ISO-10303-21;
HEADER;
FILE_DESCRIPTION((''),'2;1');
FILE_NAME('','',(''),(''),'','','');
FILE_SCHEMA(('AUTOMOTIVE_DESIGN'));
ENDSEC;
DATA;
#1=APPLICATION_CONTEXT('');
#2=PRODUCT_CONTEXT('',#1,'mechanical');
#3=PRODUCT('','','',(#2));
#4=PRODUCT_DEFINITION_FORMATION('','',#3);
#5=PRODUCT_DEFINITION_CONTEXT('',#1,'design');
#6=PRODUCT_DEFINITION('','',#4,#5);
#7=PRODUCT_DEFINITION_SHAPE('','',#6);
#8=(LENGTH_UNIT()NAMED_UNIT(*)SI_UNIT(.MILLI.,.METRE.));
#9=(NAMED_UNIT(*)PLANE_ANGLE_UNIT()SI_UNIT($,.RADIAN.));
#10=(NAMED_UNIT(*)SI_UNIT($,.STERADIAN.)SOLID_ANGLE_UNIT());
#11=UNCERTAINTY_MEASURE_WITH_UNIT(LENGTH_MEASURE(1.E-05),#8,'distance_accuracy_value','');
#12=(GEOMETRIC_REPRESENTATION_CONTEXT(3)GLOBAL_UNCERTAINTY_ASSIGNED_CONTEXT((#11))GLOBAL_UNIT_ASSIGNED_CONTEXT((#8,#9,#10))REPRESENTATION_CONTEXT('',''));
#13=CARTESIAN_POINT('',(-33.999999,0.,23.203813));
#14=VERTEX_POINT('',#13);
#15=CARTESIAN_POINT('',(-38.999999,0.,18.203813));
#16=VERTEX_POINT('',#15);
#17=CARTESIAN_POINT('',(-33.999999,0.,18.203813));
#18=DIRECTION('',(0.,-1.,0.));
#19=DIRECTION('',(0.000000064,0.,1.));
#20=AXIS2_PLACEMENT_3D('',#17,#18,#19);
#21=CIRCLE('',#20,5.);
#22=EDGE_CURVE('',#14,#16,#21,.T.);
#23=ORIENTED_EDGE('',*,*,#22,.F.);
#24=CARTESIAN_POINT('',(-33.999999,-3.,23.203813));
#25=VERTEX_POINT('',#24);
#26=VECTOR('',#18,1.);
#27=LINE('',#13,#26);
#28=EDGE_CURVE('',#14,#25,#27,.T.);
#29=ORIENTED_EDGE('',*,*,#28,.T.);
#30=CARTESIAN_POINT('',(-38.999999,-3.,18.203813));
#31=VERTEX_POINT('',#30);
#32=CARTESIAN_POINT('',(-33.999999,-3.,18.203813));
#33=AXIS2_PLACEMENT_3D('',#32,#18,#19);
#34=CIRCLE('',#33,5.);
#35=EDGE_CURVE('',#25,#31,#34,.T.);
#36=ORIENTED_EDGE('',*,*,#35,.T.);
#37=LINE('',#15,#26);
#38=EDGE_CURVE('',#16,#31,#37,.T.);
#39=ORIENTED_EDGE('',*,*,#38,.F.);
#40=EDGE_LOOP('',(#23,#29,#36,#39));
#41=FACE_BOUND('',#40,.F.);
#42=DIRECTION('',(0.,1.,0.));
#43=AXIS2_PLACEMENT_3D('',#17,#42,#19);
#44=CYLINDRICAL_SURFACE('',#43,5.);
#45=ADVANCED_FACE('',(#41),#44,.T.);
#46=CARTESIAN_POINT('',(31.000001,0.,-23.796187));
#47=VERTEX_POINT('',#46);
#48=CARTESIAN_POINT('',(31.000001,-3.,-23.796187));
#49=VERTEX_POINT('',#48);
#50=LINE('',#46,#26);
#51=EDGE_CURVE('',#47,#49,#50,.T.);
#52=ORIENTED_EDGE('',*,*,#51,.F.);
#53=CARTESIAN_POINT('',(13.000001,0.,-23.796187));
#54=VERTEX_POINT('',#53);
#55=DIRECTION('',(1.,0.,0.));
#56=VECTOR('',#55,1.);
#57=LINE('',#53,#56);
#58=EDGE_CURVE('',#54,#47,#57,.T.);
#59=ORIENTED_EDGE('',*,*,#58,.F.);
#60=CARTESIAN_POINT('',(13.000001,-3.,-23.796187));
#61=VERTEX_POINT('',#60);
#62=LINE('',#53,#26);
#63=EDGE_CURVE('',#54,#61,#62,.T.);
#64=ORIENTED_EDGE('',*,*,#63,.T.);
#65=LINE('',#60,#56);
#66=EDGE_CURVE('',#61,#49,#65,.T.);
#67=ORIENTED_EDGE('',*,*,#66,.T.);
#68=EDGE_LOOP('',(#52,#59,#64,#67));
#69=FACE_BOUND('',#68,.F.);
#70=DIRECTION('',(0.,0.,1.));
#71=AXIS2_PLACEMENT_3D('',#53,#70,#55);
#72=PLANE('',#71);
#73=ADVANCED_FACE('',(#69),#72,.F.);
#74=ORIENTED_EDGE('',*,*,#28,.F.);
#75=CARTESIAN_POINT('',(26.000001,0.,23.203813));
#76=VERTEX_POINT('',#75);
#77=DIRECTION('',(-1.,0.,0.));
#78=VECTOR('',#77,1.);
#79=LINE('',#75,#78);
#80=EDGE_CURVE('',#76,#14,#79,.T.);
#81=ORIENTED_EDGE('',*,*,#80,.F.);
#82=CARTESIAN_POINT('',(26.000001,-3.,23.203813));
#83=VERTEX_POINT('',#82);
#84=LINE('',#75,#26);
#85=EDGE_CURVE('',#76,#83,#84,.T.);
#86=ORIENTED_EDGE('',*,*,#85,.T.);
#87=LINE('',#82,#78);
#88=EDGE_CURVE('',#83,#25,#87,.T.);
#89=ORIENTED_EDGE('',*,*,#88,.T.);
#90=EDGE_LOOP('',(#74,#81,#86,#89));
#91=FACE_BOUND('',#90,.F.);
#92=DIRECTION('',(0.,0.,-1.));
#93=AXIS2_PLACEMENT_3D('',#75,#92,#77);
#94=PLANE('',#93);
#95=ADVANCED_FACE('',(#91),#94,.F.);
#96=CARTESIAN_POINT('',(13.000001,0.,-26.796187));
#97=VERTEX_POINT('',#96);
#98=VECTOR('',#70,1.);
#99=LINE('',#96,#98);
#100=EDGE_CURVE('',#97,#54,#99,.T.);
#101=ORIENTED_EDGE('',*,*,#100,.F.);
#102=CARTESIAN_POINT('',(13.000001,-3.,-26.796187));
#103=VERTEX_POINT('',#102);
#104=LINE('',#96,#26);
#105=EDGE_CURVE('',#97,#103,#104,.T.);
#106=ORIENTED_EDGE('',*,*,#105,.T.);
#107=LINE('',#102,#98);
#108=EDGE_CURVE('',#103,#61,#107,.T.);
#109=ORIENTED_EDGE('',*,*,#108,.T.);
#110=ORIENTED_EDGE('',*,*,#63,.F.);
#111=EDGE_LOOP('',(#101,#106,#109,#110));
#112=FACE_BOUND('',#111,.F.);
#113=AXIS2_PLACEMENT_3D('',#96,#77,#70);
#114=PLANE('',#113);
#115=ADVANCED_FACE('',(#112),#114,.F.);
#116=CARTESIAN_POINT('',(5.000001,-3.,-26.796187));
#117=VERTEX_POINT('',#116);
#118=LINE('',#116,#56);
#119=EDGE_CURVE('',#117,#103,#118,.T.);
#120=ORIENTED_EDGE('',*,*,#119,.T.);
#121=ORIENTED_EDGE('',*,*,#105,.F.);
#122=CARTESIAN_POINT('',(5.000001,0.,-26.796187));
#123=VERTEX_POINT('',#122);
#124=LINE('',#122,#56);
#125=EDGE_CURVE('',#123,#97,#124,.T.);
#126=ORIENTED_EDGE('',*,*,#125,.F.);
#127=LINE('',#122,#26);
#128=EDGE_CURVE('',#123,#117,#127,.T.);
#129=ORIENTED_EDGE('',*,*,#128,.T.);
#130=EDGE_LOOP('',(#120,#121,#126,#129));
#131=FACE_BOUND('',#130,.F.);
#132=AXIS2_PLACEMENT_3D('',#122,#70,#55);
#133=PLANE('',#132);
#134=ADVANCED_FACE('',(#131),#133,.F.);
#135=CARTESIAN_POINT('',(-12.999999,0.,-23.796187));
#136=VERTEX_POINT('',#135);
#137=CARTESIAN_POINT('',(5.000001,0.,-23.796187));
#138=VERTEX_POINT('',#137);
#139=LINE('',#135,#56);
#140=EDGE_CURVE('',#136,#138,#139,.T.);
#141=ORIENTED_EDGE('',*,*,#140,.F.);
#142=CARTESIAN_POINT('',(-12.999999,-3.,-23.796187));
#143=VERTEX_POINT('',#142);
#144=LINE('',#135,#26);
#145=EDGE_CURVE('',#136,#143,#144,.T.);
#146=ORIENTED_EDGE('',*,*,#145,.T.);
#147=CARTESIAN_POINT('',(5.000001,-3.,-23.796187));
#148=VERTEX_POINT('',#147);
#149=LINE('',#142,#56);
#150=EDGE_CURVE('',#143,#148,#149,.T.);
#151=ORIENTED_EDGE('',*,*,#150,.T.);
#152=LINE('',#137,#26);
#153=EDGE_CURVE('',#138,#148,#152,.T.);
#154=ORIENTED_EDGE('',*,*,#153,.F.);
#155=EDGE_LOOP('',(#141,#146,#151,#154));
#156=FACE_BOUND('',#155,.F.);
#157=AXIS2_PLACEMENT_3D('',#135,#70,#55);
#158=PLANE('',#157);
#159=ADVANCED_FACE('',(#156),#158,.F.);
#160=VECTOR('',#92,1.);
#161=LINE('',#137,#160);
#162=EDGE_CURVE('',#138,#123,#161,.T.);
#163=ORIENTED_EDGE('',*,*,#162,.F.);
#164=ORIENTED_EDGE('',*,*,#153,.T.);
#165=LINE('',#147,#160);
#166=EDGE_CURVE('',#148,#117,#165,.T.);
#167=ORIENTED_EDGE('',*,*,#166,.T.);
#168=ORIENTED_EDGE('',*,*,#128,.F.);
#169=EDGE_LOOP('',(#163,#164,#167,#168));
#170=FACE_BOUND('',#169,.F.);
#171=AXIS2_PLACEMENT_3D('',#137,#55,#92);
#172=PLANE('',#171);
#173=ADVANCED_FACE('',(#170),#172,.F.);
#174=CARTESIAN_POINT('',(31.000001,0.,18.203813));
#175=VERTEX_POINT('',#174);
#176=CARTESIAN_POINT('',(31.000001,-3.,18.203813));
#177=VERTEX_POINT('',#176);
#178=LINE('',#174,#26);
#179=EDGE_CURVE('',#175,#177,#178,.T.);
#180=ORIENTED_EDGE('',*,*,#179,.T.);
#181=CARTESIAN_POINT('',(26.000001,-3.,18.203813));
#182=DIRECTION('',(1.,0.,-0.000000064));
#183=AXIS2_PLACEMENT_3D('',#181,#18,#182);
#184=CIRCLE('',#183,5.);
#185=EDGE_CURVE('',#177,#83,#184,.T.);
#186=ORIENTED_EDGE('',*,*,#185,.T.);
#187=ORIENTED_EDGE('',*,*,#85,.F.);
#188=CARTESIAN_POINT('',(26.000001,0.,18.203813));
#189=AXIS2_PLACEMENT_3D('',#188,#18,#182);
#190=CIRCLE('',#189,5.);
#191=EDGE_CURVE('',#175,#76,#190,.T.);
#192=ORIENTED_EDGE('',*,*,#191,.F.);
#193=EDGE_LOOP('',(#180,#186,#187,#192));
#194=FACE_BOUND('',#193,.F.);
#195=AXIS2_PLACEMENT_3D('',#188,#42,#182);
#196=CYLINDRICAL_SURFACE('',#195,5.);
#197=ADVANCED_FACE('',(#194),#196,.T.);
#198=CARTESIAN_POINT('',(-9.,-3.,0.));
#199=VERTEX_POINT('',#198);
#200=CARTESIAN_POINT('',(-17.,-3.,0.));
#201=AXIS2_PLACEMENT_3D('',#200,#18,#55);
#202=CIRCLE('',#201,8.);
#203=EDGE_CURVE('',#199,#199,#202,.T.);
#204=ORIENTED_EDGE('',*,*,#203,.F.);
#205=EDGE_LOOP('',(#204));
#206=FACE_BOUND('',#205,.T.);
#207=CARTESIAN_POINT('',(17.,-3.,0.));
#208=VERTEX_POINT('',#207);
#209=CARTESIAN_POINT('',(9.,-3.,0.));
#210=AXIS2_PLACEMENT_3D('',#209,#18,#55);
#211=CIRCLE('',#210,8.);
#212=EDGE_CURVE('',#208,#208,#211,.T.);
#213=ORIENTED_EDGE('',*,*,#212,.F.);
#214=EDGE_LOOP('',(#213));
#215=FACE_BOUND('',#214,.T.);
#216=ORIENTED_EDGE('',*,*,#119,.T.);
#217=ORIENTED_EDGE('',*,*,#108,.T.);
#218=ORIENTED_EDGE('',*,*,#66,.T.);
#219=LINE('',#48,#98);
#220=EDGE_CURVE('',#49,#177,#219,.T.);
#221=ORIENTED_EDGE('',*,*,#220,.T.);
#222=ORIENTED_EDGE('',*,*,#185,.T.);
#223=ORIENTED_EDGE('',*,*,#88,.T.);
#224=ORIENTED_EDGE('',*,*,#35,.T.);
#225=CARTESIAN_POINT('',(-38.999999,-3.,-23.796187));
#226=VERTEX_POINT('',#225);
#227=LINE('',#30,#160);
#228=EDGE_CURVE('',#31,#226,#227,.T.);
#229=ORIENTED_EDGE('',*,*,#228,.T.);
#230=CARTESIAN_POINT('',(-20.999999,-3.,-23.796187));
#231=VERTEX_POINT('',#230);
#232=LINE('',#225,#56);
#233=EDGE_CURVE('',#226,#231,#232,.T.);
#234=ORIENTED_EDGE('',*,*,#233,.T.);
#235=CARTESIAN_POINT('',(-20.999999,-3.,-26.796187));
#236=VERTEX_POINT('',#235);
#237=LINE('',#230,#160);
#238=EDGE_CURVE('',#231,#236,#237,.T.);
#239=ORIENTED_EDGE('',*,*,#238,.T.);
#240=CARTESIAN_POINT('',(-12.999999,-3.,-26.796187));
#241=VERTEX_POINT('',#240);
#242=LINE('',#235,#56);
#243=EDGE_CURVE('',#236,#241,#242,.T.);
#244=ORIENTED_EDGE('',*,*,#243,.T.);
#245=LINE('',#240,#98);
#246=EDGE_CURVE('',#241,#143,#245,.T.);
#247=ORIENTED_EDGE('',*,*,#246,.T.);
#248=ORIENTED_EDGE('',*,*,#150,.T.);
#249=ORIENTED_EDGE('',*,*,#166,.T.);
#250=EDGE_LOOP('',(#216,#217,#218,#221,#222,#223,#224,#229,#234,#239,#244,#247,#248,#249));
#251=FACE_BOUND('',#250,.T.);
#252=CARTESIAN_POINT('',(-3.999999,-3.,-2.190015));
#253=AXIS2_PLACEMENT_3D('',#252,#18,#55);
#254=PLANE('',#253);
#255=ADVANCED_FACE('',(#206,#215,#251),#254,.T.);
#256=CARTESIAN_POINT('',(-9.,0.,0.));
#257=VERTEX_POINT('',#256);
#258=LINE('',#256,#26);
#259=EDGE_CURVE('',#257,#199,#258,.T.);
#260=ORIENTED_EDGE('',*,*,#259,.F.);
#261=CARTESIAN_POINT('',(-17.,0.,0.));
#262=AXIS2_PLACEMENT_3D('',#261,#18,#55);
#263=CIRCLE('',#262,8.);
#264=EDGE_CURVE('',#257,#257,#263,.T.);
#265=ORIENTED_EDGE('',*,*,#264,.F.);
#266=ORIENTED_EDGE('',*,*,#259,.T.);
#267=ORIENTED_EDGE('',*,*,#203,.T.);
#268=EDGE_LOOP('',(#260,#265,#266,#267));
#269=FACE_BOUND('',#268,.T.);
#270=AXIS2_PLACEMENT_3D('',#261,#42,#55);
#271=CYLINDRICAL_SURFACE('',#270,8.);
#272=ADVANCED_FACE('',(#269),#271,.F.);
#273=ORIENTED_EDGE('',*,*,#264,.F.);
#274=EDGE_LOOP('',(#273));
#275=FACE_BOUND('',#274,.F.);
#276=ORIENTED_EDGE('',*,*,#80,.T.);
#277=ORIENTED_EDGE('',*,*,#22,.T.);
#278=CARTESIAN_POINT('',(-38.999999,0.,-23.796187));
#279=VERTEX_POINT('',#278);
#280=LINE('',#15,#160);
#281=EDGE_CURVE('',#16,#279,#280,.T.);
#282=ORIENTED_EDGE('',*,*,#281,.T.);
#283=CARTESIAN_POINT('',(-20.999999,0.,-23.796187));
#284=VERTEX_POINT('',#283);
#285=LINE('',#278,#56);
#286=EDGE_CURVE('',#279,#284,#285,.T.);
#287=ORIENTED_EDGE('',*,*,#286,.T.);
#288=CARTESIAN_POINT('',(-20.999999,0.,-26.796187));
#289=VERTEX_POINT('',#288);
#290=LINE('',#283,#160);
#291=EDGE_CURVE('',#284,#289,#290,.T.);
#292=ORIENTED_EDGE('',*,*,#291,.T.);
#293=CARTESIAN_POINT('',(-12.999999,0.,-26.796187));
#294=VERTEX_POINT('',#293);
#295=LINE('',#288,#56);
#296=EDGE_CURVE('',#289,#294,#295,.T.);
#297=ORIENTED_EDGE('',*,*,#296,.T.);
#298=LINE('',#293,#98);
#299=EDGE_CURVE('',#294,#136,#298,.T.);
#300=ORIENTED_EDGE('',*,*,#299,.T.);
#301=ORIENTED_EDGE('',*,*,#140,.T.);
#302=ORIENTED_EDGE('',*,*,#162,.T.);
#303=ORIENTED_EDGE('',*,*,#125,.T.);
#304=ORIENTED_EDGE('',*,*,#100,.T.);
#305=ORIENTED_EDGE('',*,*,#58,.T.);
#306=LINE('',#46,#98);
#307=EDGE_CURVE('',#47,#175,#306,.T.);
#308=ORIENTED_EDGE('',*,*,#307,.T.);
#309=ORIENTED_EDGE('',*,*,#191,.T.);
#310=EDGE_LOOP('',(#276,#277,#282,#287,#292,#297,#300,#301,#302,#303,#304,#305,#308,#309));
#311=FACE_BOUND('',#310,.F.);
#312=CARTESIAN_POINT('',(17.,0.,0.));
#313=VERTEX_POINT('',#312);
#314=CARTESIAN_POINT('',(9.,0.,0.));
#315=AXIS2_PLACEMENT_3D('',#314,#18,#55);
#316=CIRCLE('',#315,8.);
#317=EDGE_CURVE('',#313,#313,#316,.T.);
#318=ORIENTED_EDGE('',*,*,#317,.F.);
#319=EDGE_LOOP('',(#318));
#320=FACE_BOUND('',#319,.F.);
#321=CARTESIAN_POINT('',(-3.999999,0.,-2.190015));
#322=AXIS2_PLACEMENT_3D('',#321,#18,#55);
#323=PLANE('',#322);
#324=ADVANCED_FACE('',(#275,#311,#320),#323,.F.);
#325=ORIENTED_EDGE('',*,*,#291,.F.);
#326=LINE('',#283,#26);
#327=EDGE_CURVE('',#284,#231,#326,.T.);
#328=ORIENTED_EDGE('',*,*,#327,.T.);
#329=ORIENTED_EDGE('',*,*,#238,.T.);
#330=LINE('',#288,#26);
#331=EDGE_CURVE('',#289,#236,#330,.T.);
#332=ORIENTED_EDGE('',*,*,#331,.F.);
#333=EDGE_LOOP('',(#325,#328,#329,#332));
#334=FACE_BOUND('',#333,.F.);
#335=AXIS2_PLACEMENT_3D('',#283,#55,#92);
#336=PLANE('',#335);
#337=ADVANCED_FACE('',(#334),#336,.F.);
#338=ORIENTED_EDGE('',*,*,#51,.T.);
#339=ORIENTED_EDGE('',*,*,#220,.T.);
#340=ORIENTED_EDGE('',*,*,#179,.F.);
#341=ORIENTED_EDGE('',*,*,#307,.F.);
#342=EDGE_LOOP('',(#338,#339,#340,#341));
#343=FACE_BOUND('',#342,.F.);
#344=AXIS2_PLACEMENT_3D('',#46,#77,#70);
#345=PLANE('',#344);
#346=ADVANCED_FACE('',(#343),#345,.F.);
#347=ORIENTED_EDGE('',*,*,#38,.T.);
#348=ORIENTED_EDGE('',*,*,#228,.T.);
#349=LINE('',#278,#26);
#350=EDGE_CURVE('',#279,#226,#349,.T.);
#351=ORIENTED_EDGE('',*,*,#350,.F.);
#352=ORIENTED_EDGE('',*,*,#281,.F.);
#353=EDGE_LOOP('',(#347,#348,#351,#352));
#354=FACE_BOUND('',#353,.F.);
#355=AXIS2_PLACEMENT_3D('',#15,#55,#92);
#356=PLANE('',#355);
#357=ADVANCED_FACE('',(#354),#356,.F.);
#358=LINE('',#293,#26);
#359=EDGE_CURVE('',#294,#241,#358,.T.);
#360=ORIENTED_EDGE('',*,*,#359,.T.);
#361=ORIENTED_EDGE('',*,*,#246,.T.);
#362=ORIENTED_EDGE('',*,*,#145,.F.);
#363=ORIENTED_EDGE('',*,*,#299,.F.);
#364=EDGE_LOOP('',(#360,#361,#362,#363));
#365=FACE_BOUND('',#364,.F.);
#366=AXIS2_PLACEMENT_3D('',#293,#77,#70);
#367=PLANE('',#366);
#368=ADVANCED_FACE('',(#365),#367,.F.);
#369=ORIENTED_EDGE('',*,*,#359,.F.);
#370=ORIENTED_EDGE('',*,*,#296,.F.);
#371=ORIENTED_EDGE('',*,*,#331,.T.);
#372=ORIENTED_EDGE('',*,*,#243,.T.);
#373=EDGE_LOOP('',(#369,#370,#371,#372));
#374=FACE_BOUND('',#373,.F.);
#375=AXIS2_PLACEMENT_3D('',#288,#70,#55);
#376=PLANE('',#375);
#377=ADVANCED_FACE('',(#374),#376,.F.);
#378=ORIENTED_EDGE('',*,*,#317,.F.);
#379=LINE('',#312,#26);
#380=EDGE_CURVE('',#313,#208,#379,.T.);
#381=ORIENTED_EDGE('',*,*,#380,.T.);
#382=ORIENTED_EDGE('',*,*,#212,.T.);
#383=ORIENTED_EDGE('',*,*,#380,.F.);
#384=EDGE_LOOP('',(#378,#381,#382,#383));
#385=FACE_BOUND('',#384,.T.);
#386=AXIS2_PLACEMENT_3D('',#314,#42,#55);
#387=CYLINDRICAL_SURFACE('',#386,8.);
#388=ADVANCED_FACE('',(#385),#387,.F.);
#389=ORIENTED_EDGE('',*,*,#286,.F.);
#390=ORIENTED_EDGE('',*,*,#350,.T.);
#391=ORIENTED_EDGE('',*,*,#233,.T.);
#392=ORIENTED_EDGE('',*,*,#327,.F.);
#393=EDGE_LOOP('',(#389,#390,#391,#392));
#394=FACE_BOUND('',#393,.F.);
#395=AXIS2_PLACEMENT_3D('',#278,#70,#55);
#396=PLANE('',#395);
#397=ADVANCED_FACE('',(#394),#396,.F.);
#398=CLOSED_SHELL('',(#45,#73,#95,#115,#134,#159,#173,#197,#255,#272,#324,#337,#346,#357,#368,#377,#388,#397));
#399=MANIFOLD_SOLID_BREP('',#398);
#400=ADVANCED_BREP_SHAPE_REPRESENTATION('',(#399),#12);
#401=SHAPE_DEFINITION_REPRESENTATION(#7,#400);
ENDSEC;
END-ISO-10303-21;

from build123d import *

# Parameters (mm, degrees)
F0_R     = 8
F1_DEPTH = 3
F2_DEPTH = 25


with BuildPart() as f1:
    # F0 (on Front) → F1 (new body)
    with BuildSketch(Plane.XZ):
        with BuildLine():
            Line((26.000001, 23.203813), (-33.999999, 23.203813))
            ThreePointArc((-33.999999, 23.203813), (-37.535533, 21.739347), (-38.999999, 18.203813))
            Line((-38.999999, 18.203813), (-38.999999, -23.796187))
            Line((-38.999999, -23.796187), (-20.999999, -23.796187))
            Line((-20.999999, -23.796187), (-20.999999, -26.796187))
            Line((-20.999999, -26.796187), (-12.999999, -26.796187))
            Line((-12.999999, -26.796187), (-12.999999, -23.796187))
            Line((-12.999999, -23.796187), (5.000001, -23.796187))
            Line((5.000001, -23.796187), (5.000001, -26.796187))
            Line((5.000001, -26.796187), (13.000001, -26.796187))
            Line((13.000001, -26.796187), (13.000001, -23.796187))
            Line((13.000001, -23.796187), (31.000001, -23.796187))
            Line((31.000001, -23.796187), (31.000001, 18.203813))
            ThreePointArc((31.000001, 18.203813), (29.535535, 21.739347), (26.000001, 23.203813))
        make_face()
        with Locations((-17, 0)):
            Circle(F0_R, mode=Mode.SUBTRACT)
        with Locations((9, 0)):
            Circle(F0_R, mode=Mode.SUBTRACT)
    extrude(amount=F1_DEPTH)


with BuildPart() as f2:
    # F0 (on Front) → F2 (new body)
    with BuildSketch(Plane.XZ):
        with BuildLine():
            Line((26.000001, 23.203813), (-33.999999, 23.203813))
            ThreePointArc((-33.999999, 23.203813), (-37.535533, 21.739347), (-38.999999, 18.203813))
            Line((-38.999999, 18.203813), (-38.999999, -23.796187))
            Line((-38.999999, -23.796187), (-20.999999, -23.796187))
            Line((-20.999999, -23.796187), (-20.999999, -26.796187))
            Line((-20.999999, -26.796187), (-12.999999, -26.796187))
            Line((-12.999999, -26.796187), (-12.999999, -23.796187))
            Line((-12.999999, -23.796187), (5.000001, -23.796187))
            Line((5.000001, -23.796187), (5.000001, -26.796187))
            Line((5.000001, -26.796187), (13.000001, -26.796187))
            Line((13.000001, -26.796187), (13.000001, -23.796187))
            Line((13.000001, -23.796187), (31.000001, -23.796187))
            Line((31.000001, -23.796187), (31.000001, 18.203813))
            ThreePointArc((31.000001, 18.203813), (29.535535, 21.739347), (26.000001, 23.203813))
        make_face()
        with Locations((-17, 0)):
            Circle(F0_R, mode=Mode.SUBTRACT)
        with Locations((9, 0)):
            Circle(F0_R, mode=Mode.SUBTRACT)
    extrude(amount=F2_DEPTH)


solid = f1.part
